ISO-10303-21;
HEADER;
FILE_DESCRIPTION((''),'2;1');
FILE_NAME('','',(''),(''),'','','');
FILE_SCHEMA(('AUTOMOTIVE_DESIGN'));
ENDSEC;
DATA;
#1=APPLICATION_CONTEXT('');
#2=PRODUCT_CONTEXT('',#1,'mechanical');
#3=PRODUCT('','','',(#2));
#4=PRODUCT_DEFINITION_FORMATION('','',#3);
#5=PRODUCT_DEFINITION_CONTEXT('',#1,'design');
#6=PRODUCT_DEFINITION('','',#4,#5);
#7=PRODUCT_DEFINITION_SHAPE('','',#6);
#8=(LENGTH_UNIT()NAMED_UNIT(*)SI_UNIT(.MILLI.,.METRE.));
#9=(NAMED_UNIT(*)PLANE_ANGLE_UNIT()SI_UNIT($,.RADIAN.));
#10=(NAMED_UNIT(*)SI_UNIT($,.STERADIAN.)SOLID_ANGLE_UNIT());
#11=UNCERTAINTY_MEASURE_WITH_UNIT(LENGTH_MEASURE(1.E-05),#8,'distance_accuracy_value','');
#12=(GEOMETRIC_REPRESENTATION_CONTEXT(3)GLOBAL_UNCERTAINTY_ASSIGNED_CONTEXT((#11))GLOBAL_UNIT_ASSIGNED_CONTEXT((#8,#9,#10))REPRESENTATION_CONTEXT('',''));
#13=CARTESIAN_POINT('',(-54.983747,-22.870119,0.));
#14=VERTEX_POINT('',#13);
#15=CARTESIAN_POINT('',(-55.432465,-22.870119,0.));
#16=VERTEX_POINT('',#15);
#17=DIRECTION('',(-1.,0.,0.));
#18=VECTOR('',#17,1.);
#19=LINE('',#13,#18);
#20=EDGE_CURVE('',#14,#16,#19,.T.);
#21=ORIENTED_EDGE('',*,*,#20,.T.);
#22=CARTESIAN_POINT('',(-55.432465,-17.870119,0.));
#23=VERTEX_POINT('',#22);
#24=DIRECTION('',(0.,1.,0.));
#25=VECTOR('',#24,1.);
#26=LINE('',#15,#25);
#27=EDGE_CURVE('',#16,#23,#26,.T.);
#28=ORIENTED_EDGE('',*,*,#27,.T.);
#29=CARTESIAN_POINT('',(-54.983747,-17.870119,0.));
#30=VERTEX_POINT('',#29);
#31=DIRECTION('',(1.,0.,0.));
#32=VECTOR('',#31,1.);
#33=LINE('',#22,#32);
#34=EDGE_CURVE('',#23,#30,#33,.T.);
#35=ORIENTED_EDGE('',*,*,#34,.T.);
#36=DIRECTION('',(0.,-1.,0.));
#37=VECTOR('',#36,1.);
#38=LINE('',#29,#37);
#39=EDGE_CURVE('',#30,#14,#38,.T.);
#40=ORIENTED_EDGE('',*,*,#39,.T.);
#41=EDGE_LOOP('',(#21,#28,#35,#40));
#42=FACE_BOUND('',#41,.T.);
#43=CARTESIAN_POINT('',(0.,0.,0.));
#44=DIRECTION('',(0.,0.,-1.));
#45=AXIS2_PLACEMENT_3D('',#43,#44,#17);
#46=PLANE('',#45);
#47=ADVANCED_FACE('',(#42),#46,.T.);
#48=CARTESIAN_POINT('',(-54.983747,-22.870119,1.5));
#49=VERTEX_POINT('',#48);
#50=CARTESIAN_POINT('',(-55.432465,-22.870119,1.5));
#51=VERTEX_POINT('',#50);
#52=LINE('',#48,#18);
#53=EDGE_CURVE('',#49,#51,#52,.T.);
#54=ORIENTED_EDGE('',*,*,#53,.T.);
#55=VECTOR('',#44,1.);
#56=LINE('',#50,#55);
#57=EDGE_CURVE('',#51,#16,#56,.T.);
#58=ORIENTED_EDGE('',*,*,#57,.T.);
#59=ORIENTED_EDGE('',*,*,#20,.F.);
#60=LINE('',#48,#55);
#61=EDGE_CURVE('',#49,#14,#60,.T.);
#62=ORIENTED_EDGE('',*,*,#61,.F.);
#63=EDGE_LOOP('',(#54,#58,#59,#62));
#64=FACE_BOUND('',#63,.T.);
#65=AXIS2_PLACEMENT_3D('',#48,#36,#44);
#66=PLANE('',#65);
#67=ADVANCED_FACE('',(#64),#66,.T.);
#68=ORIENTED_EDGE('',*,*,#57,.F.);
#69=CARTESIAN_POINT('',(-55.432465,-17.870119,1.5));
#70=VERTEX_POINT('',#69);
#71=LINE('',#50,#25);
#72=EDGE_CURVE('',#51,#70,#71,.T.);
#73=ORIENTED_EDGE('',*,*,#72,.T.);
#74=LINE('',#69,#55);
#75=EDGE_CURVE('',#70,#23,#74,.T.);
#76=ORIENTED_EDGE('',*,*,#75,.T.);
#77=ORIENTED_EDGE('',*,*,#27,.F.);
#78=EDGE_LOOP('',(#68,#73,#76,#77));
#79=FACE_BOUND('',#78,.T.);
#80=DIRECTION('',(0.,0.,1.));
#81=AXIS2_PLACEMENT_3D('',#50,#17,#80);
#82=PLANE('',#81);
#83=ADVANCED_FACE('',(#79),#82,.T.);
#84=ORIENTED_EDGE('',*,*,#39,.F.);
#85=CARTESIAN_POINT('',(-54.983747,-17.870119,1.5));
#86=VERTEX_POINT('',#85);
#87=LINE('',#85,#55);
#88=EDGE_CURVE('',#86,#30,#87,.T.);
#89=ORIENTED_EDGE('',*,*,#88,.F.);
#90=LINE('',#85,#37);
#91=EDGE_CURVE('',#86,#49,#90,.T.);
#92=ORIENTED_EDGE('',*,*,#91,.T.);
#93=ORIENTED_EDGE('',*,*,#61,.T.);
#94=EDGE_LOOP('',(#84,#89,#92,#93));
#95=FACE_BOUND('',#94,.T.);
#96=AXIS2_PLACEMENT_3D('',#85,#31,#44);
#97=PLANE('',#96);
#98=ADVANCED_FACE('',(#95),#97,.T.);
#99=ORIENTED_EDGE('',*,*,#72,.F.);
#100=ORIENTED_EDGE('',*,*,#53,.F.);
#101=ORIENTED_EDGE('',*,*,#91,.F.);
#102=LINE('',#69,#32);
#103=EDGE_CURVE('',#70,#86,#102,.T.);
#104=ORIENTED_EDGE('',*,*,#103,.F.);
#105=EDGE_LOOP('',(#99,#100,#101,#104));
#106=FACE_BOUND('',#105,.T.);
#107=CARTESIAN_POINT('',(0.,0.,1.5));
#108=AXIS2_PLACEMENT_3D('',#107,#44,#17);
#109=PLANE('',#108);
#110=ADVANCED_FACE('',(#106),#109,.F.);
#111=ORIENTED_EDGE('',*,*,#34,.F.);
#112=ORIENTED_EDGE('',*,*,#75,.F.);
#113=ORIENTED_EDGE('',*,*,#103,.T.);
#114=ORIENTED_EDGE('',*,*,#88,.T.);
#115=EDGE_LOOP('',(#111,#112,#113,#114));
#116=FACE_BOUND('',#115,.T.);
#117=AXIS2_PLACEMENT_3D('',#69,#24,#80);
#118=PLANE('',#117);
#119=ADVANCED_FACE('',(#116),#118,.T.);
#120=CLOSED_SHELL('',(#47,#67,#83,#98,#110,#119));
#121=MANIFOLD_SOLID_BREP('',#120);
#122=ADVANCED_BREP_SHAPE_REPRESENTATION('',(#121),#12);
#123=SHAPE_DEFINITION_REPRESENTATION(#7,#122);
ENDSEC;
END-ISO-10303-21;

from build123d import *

# Parameters (mm, degrees)
ESQUISSE1_W        = 0.448717949
ESQUISSE1_H        = 5
BOSS_EXTRU_1_DEPTH = 1.5


with BuildPart() as part:
    # Esquisse1 → Boss.-Extru.1 (new body)
    with BuildSketch(Plane.XY):
        with Locations((-55.208106352, -20.370119076)):
            Rectangle(ESQUISSE1_W, ESQUISSE1_H)
    extrude(amount=BOSS_EXTRU_1_DEPTH)


solid = part.part
